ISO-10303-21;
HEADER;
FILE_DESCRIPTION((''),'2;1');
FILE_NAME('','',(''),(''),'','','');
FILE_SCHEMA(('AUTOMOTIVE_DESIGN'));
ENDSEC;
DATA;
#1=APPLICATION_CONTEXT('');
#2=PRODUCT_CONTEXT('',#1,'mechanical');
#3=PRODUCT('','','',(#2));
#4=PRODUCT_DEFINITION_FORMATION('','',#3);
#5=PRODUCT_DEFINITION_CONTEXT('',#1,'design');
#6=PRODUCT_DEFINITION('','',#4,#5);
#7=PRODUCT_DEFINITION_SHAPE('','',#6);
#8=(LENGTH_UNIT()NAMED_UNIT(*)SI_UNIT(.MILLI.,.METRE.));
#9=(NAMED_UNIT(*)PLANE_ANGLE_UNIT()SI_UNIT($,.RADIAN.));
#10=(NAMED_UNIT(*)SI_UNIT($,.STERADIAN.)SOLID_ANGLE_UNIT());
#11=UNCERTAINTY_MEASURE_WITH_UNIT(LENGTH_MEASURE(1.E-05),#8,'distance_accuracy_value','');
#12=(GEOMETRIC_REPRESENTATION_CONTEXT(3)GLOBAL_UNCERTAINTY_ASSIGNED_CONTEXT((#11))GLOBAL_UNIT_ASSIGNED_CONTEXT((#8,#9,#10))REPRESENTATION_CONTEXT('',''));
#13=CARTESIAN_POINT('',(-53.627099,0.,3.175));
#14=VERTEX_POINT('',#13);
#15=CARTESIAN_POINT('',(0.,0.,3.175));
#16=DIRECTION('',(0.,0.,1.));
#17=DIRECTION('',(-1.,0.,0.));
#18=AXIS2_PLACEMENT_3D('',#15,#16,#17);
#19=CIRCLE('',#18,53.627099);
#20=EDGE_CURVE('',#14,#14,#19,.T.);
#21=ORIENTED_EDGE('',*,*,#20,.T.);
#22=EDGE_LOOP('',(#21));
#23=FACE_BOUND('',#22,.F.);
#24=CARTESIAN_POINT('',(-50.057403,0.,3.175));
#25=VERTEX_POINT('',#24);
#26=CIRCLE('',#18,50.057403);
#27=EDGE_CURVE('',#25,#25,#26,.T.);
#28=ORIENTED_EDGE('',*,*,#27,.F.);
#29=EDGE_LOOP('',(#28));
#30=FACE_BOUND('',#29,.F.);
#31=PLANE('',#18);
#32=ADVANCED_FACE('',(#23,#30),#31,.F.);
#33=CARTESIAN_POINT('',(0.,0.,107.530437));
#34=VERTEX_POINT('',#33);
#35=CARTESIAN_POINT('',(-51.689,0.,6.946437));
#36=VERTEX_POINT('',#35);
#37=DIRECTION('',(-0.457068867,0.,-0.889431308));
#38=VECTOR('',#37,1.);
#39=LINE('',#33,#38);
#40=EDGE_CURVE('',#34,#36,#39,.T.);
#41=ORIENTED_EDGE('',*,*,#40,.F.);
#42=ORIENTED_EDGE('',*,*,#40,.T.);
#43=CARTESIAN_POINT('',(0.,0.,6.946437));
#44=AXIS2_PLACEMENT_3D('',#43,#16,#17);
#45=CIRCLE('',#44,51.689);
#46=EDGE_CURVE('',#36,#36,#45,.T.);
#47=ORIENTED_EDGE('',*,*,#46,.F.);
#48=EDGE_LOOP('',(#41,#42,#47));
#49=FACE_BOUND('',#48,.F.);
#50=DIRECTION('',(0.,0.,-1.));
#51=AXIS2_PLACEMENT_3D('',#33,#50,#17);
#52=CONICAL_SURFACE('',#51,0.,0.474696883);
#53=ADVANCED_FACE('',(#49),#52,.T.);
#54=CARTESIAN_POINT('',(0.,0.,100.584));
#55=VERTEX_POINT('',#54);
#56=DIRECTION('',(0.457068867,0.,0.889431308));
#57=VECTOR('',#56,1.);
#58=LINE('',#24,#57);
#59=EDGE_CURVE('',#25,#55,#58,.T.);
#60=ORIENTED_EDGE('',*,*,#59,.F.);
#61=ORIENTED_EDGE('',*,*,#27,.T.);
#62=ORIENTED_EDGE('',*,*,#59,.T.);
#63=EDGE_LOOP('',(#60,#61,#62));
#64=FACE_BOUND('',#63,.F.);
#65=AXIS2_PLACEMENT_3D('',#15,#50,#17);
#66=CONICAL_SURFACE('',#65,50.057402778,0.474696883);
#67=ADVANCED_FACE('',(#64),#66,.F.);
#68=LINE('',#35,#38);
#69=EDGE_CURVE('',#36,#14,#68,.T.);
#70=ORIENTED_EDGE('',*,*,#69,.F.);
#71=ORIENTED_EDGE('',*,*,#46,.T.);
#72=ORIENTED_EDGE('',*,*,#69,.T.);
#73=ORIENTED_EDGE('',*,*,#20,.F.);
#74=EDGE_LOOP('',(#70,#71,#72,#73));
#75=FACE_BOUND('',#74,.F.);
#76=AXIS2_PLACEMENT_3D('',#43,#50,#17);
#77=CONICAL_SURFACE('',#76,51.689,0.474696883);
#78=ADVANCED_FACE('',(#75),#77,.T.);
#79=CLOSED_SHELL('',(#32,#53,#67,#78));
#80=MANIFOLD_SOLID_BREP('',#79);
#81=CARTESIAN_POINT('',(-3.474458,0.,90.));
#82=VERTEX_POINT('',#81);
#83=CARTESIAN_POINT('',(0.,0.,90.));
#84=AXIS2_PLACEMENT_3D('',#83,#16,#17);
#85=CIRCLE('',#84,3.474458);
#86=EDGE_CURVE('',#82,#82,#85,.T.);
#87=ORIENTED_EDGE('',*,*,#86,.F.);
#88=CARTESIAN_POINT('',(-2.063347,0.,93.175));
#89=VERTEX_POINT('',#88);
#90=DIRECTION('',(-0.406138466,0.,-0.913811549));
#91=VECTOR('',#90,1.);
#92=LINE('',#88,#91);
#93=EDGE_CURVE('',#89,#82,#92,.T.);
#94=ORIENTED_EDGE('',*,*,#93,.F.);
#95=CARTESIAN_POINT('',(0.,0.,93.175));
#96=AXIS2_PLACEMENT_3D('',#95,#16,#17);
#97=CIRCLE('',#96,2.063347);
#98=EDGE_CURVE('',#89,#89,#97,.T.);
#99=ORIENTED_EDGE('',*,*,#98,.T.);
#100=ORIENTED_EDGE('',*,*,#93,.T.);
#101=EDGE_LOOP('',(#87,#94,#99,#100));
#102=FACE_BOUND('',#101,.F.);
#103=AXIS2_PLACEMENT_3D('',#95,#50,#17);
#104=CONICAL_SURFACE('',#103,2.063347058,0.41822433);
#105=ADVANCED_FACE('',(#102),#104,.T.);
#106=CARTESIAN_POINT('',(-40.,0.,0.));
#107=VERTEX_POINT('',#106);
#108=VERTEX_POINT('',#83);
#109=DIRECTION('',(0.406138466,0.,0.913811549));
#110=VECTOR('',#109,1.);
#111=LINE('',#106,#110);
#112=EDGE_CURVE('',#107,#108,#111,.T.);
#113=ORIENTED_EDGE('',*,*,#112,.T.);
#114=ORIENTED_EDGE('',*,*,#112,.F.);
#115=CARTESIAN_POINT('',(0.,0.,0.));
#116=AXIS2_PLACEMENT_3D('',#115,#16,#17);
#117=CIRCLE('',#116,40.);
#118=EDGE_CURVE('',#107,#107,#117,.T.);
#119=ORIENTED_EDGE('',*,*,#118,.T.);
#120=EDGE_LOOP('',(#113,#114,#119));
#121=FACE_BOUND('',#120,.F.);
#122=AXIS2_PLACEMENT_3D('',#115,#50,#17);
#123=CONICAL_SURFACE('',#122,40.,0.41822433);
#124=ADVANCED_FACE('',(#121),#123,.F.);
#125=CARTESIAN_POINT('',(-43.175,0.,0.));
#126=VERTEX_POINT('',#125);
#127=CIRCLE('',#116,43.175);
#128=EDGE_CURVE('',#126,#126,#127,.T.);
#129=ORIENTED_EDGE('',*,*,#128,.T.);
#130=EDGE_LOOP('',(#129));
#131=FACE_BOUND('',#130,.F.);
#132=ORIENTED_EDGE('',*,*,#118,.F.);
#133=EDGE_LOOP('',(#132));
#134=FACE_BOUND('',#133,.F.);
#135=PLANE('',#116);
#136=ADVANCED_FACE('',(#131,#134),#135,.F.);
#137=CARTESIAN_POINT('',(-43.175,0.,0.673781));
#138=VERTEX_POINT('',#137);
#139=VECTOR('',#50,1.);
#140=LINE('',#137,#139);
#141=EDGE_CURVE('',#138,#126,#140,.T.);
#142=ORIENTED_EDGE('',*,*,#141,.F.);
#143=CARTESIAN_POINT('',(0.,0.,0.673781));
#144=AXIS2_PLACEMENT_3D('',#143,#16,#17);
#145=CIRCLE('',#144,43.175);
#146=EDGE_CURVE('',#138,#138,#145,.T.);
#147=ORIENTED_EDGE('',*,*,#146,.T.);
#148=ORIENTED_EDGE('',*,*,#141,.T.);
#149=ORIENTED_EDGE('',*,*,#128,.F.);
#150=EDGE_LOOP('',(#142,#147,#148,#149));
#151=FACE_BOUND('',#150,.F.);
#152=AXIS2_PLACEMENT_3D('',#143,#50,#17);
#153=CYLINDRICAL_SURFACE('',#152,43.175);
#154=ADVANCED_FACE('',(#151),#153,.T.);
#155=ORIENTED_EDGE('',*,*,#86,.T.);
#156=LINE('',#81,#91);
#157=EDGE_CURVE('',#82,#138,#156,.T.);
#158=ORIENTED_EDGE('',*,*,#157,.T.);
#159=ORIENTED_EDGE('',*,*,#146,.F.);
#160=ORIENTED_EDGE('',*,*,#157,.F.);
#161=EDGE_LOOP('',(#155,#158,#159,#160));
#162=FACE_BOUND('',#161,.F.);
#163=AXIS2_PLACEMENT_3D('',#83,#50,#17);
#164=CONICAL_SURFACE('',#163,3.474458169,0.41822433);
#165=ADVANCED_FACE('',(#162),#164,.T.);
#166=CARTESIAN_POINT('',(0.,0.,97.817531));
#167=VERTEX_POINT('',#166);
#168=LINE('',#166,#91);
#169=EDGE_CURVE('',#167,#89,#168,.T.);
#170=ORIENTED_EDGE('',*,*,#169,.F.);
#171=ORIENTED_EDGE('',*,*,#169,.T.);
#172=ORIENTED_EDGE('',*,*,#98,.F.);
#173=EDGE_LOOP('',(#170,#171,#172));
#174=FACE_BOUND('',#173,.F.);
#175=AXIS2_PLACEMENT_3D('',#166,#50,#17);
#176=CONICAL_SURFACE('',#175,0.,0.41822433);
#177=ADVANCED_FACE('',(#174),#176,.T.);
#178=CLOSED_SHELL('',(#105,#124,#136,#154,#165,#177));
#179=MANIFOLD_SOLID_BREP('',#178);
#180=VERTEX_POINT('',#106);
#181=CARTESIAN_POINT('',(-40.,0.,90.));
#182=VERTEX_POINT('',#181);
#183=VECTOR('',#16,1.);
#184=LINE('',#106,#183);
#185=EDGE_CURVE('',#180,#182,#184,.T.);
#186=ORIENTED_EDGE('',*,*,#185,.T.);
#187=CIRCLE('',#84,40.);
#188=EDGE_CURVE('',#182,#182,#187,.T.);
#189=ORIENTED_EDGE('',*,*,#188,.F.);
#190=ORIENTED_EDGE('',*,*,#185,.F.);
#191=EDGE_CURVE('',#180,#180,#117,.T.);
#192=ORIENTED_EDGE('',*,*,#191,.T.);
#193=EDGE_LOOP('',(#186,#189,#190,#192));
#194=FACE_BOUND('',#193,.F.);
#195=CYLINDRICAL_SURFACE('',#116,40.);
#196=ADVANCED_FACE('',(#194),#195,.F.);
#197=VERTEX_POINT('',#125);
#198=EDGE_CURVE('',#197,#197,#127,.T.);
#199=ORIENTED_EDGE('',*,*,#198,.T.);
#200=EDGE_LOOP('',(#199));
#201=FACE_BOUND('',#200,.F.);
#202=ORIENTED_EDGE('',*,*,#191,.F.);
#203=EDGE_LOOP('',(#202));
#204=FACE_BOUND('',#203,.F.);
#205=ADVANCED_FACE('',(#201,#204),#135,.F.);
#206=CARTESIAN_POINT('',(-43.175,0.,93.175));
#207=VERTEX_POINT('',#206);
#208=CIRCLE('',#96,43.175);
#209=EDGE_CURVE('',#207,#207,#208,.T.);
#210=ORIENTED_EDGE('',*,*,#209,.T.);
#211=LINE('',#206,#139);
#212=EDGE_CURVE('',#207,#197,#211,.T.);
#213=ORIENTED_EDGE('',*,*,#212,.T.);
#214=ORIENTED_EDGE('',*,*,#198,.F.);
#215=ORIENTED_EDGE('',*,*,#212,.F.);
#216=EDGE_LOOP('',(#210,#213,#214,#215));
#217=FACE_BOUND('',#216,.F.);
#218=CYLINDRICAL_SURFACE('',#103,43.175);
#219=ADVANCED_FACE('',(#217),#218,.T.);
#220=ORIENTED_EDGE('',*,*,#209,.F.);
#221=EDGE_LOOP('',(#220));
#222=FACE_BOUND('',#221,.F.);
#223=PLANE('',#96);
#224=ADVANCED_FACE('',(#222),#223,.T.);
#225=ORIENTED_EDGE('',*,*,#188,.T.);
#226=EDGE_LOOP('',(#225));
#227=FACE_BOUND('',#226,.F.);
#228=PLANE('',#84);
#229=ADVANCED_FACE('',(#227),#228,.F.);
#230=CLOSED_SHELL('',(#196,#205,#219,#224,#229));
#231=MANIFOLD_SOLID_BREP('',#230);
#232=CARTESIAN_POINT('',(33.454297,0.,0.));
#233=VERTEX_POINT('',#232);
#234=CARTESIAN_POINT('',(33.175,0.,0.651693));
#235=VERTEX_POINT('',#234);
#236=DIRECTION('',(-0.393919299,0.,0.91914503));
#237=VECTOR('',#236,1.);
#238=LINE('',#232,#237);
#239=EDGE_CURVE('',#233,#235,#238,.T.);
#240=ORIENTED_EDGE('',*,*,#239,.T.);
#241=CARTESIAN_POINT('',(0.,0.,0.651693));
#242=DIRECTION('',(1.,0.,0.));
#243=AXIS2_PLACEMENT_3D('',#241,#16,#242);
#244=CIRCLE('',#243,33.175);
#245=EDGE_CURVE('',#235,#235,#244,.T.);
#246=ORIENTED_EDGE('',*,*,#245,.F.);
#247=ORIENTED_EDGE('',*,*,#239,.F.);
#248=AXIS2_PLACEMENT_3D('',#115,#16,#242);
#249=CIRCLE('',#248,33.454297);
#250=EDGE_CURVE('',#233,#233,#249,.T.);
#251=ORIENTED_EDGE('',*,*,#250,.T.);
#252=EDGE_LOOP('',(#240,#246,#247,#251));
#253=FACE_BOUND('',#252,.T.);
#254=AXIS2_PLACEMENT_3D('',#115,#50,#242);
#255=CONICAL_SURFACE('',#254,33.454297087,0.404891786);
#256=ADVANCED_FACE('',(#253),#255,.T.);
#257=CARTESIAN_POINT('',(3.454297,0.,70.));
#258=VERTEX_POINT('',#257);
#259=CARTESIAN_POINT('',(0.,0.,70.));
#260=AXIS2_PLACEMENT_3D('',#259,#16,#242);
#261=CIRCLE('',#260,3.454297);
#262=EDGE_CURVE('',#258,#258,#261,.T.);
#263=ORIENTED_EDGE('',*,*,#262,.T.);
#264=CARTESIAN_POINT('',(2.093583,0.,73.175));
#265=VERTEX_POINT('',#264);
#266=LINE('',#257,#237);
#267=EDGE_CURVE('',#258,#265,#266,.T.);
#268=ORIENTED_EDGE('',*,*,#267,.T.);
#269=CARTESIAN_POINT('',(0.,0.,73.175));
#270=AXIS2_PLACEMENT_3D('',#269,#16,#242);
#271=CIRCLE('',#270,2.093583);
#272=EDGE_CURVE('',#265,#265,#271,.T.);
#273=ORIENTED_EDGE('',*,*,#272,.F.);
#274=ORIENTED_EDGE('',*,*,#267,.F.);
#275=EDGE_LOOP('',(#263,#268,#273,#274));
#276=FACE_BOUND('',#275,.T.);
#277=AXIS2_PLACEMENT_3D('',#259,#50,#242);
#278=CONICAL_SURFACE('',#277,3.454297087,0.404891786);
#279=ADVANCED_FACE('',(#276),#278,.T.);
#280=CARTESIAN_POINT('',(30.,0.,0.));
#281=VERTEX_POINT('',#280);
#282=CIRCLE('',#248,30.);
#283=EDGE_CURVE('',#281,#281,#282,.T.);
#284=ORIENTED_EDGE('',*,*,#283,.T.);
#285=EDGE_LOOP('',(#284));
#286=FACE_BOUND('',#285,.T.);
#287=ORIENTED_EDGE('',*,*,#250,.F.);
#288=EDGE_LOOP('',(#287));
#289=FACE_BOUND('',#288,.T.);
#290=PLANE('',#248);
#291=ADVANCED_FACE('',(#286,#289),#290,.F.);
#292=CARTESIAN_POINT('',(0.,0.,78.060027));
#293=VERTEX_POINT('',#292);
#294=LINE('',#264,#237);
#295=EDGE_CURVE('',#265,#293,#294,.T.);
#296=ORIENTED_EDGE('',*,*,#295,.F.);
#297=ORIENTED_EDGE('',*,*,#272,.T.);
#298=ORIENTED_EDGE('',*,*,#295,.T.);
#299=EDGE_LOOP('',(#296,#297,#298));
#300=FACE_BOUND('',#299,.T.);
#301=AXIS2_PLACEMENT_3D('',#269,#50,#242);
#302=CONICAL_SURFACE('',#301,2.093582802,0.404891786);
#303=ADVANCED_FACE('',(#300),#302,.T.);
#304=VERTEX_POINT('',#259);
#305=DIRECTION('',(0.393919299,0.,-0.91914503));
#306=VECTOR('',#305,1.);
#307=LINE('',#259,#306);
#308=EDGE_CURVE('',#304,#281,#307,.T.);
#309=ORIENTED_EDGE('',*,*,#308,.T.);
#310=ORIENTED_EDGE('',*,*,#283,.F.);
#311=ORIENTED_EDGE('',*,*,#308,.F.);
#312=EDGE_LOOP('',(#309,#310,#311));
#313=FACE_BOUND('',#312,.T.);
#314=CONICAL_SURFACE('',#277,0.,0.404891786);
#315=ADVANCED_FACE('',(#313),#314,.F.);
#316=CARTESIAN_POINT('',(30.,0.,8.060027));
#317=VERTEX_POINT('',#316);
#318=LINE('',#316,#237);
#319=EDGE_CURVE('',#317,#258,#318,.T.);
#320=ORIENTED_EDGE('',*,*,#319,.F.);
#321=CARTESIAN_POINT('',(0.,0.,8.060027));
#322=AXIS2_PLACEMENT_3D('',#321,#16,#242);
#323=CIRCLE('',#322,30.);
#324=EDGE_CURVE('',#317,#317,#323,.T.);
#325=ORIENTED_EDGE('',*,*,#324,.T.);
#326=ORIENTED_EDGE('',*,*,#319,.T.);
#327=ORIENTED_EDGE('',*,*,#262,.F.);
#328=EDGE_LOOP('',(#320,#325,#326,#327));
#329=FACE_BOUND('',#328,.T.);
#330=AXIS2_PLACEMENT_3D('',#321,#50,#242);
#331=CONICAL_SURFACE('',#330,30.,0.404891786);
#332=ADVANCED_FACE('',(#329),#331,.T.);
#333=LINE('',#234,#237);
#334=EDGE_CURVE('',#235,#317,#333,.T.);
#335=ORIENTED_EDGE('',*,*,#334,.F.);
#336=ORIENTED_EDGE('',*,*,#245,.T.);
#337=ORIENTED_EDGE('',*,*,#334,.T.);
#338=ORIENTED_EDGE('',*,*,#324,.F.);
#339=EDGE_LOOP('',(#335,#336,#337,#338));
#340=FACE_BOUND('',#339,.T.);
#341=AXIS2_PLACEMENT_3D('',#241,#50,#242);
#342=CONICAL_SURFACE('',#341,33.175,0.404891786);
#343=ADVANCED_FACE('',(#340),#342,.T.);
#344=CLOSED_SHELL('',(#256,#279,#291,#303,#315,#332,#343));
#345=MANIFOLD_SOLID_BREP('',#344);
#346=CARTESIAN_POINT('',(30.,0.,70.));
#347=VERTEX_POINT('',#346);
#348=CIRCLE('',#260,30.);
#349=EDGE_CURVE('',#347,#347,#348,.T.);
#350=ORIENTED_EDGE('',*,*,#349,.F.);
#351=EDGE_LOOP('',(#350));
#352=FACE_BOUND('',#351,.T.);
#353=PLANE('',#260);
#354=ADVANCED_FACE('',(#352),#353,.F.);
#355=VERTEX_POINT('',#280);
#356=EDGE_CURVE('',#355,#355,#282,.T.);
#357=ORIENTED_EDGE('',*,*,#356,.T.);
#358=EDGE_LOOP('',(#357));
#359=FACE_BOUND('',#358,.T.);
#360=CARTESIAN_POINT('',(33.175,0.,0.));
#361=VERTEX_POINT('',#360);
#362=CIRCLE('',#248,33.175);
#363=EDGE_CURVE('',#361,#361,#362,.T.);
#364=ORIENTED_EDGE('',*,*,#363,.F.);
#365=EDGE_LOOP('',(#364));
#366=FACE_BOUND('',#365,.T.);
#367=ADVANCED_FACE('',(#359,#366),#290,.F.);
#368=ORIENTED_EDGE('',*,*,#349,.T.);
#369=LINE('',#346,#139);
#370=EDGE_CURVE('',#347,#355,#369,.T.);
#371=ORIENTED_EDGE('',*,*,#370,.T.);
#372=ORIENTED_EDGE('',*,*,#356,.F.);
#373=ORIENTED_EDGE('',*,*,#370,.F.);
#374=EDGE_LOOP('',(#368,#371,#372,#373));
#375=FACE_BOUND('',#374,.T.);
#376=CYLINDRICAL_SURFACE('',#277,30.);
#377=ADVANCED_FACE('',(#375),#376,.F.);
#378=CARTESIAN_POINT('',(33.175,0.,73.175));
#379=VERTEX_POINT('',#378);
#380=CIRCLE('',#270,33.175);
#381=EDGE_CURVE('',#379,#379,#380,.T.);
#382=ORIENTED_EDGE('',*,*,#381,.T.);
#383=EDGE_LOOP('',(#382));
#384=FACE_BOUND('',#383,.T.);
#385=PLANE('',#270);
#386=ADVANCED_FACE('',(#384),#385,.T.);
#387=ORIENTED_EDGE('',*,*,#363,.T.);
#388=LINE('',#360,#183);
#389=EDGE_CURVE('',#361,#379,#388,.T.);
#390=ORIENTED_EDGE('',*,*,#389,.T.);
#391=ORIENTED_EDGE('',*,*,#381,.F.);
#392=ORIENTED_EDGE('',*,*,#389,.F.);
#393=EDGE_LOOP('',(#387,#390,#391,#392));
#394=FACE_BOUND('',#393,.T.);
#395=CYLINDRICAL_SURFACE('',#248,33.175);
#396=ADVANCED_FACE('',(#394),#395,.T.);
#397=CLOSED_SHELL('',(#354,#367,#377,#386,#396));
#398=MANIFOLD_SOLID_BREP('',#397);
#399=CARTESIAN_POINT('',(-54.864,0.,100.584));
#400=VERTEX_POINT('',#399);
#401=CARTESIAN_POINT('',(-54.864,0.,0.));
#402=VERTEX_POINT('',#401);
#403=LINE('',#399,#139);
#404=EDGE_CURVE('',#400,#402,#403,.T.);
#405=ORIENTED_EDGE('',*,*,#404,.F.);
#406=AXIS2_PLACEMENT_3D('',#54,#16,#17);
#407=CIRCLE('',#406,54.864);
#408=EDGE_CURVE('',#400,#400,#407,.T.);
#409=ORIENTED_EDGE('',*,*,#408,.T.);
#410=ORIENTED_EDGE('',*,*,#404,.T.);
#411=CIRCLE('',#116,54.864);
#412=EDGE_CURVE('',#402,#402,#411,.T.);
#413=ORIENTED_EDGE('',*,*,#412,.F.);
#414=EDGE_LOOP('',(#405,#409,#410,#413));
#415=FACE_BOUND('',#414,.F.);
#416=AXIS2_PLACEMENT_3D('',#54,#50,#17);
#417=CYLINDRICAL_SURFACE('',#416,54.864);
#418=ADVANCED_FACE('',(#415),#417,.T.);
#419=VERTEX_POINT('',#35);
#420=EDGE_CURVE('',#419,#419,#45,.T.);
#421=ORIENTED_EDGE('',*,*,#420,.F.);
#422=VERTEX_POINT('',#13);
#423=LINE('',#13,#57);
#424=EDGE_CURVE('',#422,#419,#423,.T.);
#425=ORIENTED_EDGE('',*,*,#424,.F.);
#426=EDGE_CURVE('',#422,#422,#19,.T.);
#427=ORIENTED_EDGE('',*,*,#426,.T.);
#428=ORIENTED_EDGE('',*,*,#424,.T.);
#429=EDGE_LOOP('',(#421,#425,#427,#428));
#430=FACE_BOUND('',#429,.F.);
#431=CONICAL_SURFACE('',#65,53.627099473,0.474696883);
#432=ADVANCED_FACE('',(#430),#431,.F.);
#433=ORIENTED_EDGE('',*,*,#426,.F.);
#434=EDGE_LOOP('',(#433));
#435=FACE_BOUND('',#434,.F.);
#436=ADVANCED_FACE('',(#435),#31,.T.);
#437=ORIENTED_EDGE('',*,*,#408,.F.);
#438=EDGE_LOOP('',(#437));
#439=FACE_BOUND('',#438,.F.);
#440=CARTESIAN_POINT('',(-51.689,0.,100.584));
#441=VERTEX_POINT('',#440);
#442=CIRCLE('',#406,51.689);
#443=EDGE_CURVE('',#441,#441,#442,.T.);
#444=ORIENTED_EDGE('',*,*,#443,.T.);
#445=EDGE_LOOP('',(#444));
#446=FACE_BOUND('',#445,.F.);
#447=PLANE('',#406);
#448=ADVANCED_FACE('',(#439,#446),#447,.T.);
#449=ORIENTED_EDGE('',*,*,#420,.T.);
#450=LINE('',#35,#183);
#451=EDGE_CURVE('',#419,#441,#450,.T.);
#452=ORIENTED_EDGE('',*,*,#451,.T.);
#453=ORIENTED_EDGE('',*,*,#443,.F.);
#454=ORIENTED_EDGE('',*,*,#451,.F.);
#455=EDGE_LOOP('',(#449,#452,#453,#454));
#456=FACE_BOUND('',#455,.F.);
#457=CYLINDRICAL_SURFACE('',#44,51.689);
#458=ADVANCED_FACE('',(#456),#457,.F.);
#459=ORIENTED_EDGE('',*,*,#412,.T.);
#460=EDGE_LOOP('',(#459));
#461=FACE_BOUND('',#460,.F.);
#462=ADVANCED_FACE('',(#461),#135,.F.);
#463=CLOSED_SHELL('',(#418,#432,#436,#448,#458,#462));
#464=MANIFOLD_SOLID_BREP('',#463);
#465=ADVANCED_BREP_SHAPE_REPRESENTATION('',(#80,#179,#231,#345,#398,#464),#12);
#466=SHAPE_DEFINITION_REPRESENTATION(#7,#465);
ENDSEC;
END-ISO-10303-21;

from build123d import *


with BuildPart() as f1:
    # F0 (on Front) → F1 (revolve)
    with BuildSketch(Plane.XZ):
        Polygon((-51.689, 0), (0, 0), (0, 3.175), (-50.0574027778, 3.175), (-51.689, 3.175), (-53.627099473, 3.175), (-51.689, 6.9464368122), (-51.689, 100.584), (-54.864, 100.584), (-54.864, 0), align=None)
    revolve(axis=Axis((0, 0, 27.9178853571), (0, 0, 1)))


with BuildPart() as f2:
    # F0 (on Front) → F2 (revolve)
    with BuildSketch(Plane.XZ):
        Polygon((-51.689, 3.175), (-50.0574027778, 3.175), (0, 100.584), (0, 107.5304368122), (-51.689, 6.9464368122), align=None)
        Polygon((-53.627099473, 3.175), (-51.689, 3.175), (-51.689, 6.9464368122), align=None)
    revolve(axis=Axis((0, 0, 27.9178853571), (0, 0, 1)))


with BuildPart() as f4:
    # F3 (on Front) → F4 (revolve)
    with BuildSketch(Plane.XZ):
        Polygon((-43.175, 0.6737808802), (-40, 7.8175308802), (-40, 90), (-3.474458169, 90), (-2.0633470579, 93.175), (-43.175, 93.175), align=None)
        Polygon((-3.474458169, 90), (0, 90), (0, 93.175), (-2.0633470579, 93.175), align=None)
        Polygon((-43.175, 0), (-40, 0), (-40, 7.8175308802), (-43.175, 0.6737808802), align=None)
    revolve(axis=Axis((0, 0, 45), (0, 0, 1)))


with BuildPart() as f5:
    # F3 (on Front) → F5 (revolve)
    with BuildSketch(Plane.XZ):
        Polygon((-40, 7.8175308802), (-40, 0), (0, 90), (-3.474458169, 90), align=None)
        Polygon((-3.474458169, 90), (0, 90), (0, 93.175), (-2.0633470579, 93.175), align=None)
        Polygon((-2.0633470579, 93.175), (0, 93.175), (0, 97.8175308802), align=None)
        Polygon((-43.175, 0), (-40, 0), (-40, 7.8175308802), (-43.175, 0.6737808802), align=None)
    revolve(axis=Axis((0, 0, 45), (0, 0, 1)))


with BuildPart() as f7:
    # F6 (on Front) → F7 (revolve)
    with BuildSketch(Plane.XZ):
        Polygon((0, 70), (30, 0), (30, 8.060026537), (3.4542970873, 70), align=None)
        Polygon((0, 73.175), (0, 70), (3.4542970873, 70), (2.0935828016, 73.175), align=None)
        Polygon((0, 78.060026537), (0, 73.175), (2.0935828016, 73.175), align=None)
        Polygon((30, 8.060026537), (30, 0), (33.175, 0), (33.175, 0.6516932037), align=None)
        Polygon((33.175, 0.6516932037), (33.175, 0), (33.4542970873, 0), align=None)
    revolve(axis=Axis((0, 0, 35), (0, 0, 1)))


with BuildPart() as f8:
    # F6 (on Front) → F8 (revolve)
    with BuildSketch(Plane.XZ):
        Polygon((30, 70), (30, 8.060026537), (33.175, 0.6516932037), (33.175, 73.175), (2.0935828016, 73.175), (3.4542970873, 70), align=None)
        Polygon((0, 73.175), (0, 70), (3.4542970873, 70), (2.0935828016, 73.175), align=None)
        Polygon((30, 8.060026537), (30, 0), (33.175, 0), (33.175, 0.6516932037), align=None)
    revolve(axis=Axis((0, 0, 35), (0, 0, 1)))


solid = Compound([f1.part, f2.part, f4.part, f5.part, f7.part, f8.part])
